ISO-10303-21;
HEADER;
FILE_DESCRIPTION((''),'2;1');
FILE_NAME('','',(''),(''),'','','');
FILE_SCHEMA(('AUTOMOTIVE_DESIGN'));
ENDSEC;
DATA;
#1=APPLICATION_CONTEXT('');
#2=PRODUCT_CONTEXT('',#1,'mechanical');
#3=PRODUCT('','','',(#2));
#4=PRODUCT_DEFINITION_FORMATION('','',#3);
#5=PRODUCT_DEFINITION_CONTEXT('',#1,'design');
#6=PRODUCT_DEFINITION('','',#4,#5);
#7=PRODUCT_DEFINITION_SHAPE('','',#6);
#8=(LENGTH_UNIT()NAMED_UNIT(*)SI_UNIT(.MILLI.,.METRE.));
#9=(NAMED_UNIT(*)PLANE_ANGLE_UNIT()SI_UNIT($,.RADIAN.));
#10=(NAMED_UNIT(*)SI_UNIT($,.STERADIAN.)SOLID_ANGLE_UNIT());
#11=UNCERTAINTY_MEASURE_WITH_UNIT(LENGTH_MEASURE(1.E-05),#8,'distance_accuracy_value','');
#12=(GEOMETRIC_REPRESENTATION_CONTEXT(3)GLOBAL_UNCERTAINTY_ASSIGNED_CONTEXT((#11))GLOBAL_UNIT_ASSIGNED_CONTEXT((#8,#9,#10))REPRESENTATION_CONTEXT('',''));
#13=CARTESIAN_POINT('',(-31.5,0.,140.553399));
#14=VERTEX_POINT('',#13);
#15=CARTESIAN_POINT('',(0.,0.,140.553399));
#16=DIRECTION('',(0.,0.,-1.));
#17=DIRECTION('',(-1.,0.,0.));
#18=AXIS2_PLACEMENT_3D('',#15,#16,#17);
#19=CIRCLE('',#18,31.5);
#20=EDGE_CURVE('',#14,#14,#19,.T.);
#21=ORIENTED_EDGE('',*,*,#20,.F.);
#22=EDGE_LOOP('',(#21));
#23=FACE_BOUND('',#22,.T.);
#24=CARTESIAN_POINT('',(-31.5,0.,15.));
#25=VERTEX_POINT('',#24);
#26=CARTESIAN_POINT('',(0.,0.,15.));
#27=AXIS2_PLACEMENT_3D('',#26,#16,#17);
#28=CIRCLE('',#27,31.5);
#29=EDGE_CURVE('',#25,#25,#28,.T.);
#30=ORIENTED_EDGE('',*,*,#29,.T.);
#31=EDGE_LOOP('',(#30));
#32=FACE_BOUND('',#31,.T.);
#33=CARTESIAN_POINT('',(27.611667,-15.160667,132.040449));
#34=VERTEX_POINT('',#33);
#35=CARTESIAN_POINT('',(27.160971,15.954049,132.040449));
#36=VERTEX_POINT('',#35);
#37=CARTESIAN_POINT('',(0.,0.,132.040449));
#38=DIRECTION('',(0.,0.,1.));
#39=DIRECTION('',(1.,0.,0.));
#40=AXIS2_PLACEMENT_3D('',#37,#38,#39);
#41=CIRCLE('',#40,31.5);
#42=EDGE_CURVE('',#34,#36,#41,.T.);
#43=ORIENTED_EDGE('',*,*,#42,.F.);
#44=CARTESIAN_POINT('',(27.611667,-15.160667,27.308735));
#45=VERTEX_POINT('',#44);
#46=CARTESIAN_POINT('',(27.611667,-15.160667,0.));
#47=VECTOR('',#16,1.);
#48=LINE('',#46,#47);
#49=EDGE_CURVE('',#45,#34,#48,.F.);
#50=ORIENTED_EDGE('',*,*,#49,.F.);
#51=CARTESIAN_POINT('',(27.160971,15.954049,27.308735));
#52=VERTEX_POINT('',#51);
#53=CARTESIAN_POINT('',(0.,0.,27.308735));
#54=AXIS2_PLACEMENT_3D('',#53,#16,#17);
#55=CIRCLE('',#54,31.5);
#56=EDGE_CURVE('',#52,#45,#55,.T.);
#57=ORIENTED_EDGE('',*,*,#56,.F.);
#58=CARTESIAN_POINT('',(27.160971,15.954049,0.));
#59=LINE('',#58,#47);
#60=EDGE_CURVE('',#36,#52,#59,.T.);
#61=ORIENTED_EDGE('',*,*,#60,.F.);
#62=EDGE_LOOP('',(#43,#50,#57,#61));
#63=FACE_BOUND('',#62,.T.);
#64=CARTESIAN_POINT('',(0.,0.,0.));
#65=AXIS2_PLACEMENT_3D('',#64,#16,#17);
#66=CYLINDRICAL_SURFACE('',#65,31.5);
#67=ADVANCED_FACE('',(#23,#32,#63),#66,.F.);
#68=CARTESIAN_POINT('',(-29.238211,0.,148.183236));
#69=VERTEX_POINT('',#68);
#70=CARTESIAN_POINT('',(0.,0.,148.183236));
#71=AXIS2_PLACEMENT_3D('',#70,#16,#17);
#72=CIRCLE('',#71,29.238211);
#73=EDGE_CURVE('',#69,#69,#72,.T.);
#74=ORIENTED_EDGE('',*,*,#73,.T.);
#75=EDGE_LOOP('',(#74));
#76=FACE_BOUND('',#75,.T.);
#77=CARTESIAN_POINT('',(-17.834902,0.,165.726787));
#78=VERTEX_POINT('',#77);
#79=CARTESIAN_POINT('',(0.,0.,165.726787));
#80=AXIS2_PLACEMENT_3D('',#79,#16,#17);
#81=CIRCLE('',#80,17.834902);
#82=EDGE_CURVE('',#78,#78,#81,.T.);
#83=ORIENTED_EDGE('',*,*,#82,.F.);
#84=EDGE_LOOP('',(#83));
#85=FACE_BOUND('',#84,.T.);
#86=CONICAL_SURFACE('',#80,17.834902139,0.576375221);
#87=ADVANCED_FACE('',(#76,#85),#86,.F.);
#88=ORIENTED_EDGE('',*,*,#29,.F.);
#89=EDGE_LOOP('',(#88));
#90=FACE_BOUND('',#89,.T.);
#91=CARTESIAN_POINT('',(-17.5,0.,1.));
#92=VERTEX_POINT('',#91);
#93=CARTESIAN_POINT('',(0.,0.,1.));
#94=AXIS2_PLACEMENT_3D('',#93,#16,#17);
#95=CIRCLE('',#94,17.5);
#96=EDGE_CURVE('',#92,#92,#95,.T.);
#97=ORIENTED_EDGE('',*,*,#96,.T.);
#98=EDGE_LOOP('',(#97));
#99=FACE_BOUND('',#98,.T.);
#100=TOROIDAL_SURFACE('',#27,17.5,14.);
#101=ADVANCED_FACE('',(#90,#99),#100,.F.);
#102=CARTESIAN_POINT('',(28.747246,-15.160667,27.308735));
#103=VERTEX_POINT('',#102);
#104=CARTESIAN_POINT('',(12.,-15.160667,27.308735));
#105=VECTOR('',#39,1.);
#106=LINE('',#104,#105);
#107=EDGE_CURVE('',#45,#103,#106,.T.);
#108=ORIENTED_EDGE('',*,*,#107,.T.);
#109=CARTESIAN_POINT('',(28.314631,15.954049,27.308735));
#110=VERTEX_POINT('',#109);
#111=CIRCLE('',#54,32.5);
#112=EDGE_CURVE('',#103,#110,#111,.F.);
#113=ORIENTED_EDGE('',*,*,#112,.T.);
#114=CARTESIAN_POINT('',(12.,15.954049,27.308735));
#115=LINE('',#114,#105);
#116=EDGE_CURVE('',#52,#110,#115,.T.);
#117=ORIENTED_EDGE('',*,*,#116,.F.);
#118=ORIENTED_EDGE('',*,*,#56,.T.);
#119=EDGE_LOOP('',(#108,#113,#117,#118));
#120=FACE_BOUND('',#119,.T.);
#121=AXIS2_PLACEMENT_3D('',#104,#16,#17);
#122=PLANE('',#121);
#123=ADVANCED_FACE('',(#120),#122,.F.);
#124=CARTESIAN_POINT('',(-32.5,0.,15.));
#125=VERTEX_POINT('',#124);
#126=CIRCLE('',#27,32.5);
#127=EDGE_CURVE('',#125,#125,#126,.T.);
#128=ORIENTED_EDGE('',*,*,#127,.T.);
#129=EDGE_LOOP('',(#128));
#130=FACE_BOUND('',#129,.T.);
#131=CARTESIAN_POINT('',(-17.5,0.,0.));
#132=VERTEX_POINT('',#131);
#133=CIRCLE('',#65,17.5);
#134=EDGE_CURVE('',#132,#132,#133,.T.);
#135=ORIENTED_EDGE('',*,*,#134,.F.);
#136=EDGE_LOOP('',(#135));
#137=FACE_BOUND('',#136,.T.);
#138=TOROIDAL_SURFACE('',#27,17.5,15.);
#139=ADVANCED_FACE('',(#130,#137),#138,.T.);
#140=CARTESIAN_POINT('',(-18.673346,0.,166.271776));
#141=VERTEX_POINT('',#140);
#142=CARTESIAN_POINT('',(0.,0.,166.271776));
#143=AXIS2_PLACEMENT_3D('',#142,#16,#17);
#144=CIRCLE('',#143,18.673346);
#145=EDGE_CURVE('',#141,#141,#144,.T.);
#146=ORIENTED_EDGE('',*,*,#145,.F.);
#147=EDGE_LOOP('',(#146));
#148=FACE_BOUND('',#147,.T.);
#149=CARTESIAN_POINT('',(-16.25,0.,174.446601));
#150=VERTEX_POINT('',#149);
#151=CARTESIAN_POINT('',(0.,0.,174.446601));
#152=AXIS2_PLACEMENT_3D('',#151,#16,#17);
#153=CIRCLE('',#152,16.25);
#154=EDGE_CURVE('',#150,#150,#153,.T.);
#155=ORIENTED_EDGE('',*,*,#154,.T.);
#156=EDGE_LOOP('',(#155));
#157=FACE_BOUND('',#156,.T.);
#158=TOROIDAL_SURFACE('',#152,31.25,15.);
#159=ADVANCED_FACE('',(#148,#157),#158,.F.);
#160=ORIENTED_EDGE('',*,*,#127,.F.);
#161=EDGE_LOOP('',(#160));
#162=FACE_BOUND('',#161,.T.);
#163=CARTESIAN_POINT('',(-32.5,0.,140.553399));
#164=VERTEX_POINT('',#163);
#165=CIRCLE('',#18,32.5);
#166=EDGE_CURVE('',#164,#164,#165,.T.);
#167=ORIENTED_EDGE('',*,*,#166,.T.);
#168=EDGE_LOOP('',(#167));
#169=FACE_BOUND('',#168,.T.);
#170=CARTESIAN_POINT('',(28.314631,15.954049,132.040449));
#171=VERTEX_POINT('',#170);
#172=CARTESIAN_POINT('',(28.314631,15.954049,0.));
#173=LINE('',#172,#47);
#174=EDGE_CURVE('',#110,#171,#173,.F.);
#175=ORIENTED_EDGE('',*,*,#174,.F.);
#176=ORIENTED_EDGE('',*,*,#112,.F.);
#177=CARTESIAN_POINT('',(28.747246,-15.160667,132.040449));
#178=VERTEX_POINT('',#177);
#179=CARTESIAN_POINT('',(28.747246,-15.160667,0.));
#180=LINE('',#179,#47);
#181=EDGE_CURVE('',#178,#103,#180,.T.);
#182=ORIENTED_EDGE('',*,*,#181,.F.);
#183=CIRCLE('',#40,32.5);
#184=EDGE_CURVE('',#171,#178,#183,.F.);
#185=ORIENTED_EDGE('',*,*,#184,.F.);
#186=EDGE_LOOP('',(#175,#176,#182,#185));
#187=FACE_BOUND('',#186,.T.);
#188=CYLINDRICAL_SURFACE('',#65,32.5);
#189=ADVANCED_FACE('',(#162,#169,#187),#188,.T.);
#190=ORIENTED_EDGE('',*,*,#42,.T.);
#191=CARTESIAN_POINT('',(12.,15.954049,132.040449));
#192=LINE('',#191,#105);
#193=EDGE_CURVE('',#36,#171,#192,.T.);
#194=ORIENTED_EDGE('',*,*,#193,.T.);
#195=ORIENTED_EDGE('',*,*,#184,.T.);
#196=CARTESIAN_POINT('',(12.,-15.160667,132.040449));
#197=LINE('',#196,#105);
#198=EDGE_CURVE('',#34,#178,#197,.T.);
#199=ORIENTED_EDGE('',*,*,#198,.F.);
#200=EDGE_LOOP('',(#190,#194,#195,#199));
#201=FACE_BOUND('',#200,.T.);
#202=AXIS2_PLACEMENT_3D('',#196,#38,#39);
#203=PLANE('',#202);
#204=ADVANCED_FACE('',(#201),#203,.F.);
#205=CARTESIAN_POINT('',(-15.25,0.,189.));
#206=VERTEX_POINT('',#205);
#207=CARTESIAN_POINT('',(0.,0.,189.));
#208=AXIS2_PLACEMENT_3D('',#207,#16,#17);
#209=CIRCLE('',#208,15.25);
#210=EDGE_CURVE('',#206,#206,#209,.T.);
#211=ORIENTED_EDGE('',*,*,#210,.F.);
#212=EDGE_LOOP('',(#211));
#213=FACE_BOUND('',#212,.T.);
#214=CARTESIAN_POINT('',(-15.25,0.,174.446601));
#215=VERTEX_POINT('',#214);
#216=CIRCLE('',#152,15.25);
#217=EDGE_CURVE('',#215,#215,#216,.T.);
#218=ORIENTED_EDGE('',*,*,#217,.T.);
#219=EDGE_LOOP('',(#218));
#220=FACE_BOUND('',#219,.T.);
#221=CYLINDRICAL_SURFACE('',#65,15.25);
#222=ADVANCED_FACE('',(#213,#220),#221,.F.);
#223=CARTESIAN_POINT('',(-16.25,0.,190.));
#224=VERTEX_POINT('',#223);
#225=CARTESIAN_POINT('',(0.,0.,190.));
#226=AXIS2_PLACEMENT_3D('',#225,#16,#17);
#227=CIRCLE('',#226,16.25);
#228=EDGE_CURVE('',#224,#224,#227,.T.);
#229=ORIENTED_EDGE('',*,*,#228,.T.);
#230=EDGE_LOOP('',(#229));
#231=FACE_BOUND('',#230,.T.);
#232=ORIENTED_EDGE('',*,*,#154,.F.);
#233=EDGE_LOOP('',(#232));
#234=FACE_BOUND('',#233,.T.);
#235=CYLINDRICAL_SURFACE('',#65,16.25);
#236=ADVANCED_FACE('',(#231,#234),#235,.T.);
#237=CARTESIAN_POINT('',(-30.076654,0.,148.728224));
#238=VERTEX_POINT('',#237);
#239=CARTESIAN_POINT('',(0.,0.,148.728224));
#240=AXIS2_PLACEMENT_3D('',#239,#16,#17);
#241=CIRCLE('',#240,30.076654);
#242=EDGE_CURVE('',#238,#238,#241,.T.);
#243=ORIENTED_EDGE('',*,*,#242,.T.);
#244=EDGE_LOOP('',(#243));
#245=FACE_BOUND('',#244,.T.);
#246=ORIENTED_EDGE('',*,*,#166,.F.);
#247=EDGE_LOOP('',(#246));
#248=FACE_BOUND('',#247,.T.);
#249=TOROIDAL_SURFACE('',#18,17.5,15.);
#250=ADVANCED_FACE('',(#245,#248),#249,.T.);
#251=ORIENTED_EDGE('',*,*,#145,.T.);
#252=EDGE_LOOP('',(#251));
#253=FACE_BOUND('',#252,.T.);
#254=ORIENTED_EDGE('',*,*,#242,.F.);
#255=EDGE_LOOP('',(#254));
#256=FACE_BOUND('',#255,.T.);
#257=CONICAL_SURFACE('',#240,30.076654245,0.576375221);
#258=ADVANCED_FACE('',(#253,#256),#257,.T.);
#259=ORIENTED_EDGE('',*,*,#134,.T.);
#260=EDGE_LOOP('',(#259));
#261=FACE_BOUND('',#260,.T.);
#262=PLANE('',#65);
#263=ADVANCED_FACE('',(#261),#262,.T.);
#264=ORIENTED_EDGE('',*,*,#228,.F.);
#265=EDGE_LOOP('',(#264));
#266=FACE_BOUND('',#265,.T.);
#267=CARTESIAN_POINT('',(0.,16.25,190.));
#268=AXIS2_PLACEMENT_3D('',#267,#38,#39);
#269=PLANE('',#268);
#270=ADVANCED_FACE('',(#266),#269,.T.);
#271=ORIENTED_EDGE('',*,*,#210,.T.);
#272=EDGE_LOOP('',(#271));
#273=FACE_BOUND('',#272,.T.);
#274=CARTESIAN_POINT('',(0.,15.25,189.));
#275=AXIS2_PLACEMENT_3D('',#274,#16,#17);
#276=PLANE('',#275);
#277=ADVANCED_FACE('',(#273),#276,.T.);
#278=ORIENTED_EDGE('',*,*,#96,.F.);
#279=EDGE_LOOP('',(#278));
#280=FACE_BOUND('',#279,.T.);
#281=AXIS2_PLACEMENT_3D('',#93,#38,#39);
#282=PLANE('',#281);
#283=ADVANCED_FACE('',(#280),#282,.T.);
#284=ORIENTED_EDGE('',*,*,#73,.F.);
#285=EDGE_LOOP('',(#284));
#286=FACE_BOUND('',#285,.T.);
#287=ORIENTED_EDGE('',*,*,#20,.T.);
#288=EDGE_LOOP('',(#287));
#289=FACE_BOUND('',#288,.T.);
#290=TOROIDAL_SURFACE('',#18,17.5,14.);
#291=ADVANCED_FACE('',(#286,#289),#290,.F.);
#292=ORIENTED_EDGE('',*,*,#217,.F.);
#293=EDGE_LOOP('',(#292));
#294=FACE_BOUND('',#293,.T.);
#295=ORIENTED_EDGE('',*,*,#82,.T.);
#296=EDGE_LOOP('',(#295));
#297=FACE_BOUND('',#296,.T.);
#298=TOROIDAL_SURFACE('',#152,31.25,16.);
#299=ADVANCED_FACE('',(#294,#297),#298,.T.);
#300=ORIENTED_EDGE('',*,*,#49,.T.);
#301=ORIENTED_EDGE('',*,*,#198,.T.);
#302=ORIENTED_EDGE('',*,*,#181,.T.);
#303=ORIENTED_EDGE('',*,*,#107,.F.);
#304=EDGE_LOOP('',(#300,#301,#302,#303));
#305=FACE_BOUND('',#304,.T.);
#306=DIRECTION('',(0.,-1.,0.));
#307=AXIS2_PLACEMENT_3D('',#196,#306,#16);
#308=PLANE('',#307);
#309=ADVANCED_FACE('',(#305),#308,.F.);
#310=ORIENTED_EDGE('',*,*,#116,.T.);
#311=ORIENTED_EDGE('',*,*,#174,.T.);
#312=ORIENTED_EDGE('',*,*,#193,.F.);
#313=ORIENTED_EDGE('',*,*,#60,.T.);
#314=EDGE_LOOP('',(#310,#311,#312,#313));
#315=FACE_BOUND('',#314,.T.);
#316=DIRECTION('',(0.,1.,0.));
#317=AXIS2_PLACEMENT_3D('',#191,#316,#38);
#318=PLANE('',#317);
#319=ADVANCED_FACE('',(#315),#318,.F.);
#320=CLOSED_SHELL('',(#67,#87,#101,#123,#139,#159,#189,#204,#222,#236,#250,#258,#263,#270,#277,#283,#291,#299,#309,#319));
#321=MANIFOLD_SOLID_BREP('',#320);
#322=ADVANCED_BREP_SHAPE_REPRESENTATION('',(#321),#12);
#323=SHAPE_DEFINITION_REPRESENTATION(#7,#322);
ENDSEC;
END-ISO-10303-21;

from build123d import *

# Parameters (mm, degrees)
SKETCH2_W          = 31.114715918
SKETCH2_H          = 104.73171331
CUT_EXTRUDE1_DEPTH = 48


with BuildPart() as part:
    # Sketch1 → Revolve1 (revolve)
    with BuildSketch(Plane.YZ, mode=Mode.PRIVATE) as revolve1_sk:
        with BuildLine():
            Line((0, 0), (17.5, 0))
            ThreePointArc((17.5, 0), (28.106601718, 4.393398282), (32.5, 15))
            Line((32.5, 15), (32.5, 140.55339898))
            ThreePointArc((32.5, 140.55339898), (31.881408374, 144.816624656), (30.076654245, 148.728224239))
            Line((30.076654245, 148.728224239), (18.673345755, 166.271775761))
            ThreePointArc((18.673345755, 166.271775761), (16.868591626, 170.183375344), (16.25, 174.44660102))
            Line((16.25, 174.44660102), (16.25, 190))
            Line((16.25, 190), (0, 190))
            Line((0, 190), (0, 189))
            Line((0, 189), (15.25, 189))
            Line((15.25, 189), (15.25, 174.44660102))
            ThreePointArc((15.25, 174.44660102), (15.909831067, 169.899160298), (17.834902139, 165.72678741))
            Line((17.834902139, 165.72678741), (29.238210628, 148.183235889))
            ThreePointArc((29.238210628, 148.183235889), (30.922647816, 144.532409611), (31.5, 140.55339898))
            Line((31.5, 140.55339898), (31.5, 15))
            ThreePointArc((31.5, 15), (27.399494937, 5.100505063), (17.5, 1))
            Line((17.5, 1), (0, 1))
            Line((0, 1), (0, 0))
        make_face()
    revolve(revolve1_sk.sketch.rotate(Axis((0, 0, 0), (0, 0, 1)), 90), axis=Axis((0, 0, 0), (0, 0, 1)))

    # Sketch2 → Cut-Extrude1 (cut)
    with BuildSketch(Plane.YZ.offset(60)):
        with Locations((0.396690762, 79.674592023)):
            Rectangle(SKETCH2_W, SKETCH2_H)
    extrude(amount=-CUT_EXTRUDE1_DEPTH, mode=Mode.SUBTRACT)


solid = part.part
